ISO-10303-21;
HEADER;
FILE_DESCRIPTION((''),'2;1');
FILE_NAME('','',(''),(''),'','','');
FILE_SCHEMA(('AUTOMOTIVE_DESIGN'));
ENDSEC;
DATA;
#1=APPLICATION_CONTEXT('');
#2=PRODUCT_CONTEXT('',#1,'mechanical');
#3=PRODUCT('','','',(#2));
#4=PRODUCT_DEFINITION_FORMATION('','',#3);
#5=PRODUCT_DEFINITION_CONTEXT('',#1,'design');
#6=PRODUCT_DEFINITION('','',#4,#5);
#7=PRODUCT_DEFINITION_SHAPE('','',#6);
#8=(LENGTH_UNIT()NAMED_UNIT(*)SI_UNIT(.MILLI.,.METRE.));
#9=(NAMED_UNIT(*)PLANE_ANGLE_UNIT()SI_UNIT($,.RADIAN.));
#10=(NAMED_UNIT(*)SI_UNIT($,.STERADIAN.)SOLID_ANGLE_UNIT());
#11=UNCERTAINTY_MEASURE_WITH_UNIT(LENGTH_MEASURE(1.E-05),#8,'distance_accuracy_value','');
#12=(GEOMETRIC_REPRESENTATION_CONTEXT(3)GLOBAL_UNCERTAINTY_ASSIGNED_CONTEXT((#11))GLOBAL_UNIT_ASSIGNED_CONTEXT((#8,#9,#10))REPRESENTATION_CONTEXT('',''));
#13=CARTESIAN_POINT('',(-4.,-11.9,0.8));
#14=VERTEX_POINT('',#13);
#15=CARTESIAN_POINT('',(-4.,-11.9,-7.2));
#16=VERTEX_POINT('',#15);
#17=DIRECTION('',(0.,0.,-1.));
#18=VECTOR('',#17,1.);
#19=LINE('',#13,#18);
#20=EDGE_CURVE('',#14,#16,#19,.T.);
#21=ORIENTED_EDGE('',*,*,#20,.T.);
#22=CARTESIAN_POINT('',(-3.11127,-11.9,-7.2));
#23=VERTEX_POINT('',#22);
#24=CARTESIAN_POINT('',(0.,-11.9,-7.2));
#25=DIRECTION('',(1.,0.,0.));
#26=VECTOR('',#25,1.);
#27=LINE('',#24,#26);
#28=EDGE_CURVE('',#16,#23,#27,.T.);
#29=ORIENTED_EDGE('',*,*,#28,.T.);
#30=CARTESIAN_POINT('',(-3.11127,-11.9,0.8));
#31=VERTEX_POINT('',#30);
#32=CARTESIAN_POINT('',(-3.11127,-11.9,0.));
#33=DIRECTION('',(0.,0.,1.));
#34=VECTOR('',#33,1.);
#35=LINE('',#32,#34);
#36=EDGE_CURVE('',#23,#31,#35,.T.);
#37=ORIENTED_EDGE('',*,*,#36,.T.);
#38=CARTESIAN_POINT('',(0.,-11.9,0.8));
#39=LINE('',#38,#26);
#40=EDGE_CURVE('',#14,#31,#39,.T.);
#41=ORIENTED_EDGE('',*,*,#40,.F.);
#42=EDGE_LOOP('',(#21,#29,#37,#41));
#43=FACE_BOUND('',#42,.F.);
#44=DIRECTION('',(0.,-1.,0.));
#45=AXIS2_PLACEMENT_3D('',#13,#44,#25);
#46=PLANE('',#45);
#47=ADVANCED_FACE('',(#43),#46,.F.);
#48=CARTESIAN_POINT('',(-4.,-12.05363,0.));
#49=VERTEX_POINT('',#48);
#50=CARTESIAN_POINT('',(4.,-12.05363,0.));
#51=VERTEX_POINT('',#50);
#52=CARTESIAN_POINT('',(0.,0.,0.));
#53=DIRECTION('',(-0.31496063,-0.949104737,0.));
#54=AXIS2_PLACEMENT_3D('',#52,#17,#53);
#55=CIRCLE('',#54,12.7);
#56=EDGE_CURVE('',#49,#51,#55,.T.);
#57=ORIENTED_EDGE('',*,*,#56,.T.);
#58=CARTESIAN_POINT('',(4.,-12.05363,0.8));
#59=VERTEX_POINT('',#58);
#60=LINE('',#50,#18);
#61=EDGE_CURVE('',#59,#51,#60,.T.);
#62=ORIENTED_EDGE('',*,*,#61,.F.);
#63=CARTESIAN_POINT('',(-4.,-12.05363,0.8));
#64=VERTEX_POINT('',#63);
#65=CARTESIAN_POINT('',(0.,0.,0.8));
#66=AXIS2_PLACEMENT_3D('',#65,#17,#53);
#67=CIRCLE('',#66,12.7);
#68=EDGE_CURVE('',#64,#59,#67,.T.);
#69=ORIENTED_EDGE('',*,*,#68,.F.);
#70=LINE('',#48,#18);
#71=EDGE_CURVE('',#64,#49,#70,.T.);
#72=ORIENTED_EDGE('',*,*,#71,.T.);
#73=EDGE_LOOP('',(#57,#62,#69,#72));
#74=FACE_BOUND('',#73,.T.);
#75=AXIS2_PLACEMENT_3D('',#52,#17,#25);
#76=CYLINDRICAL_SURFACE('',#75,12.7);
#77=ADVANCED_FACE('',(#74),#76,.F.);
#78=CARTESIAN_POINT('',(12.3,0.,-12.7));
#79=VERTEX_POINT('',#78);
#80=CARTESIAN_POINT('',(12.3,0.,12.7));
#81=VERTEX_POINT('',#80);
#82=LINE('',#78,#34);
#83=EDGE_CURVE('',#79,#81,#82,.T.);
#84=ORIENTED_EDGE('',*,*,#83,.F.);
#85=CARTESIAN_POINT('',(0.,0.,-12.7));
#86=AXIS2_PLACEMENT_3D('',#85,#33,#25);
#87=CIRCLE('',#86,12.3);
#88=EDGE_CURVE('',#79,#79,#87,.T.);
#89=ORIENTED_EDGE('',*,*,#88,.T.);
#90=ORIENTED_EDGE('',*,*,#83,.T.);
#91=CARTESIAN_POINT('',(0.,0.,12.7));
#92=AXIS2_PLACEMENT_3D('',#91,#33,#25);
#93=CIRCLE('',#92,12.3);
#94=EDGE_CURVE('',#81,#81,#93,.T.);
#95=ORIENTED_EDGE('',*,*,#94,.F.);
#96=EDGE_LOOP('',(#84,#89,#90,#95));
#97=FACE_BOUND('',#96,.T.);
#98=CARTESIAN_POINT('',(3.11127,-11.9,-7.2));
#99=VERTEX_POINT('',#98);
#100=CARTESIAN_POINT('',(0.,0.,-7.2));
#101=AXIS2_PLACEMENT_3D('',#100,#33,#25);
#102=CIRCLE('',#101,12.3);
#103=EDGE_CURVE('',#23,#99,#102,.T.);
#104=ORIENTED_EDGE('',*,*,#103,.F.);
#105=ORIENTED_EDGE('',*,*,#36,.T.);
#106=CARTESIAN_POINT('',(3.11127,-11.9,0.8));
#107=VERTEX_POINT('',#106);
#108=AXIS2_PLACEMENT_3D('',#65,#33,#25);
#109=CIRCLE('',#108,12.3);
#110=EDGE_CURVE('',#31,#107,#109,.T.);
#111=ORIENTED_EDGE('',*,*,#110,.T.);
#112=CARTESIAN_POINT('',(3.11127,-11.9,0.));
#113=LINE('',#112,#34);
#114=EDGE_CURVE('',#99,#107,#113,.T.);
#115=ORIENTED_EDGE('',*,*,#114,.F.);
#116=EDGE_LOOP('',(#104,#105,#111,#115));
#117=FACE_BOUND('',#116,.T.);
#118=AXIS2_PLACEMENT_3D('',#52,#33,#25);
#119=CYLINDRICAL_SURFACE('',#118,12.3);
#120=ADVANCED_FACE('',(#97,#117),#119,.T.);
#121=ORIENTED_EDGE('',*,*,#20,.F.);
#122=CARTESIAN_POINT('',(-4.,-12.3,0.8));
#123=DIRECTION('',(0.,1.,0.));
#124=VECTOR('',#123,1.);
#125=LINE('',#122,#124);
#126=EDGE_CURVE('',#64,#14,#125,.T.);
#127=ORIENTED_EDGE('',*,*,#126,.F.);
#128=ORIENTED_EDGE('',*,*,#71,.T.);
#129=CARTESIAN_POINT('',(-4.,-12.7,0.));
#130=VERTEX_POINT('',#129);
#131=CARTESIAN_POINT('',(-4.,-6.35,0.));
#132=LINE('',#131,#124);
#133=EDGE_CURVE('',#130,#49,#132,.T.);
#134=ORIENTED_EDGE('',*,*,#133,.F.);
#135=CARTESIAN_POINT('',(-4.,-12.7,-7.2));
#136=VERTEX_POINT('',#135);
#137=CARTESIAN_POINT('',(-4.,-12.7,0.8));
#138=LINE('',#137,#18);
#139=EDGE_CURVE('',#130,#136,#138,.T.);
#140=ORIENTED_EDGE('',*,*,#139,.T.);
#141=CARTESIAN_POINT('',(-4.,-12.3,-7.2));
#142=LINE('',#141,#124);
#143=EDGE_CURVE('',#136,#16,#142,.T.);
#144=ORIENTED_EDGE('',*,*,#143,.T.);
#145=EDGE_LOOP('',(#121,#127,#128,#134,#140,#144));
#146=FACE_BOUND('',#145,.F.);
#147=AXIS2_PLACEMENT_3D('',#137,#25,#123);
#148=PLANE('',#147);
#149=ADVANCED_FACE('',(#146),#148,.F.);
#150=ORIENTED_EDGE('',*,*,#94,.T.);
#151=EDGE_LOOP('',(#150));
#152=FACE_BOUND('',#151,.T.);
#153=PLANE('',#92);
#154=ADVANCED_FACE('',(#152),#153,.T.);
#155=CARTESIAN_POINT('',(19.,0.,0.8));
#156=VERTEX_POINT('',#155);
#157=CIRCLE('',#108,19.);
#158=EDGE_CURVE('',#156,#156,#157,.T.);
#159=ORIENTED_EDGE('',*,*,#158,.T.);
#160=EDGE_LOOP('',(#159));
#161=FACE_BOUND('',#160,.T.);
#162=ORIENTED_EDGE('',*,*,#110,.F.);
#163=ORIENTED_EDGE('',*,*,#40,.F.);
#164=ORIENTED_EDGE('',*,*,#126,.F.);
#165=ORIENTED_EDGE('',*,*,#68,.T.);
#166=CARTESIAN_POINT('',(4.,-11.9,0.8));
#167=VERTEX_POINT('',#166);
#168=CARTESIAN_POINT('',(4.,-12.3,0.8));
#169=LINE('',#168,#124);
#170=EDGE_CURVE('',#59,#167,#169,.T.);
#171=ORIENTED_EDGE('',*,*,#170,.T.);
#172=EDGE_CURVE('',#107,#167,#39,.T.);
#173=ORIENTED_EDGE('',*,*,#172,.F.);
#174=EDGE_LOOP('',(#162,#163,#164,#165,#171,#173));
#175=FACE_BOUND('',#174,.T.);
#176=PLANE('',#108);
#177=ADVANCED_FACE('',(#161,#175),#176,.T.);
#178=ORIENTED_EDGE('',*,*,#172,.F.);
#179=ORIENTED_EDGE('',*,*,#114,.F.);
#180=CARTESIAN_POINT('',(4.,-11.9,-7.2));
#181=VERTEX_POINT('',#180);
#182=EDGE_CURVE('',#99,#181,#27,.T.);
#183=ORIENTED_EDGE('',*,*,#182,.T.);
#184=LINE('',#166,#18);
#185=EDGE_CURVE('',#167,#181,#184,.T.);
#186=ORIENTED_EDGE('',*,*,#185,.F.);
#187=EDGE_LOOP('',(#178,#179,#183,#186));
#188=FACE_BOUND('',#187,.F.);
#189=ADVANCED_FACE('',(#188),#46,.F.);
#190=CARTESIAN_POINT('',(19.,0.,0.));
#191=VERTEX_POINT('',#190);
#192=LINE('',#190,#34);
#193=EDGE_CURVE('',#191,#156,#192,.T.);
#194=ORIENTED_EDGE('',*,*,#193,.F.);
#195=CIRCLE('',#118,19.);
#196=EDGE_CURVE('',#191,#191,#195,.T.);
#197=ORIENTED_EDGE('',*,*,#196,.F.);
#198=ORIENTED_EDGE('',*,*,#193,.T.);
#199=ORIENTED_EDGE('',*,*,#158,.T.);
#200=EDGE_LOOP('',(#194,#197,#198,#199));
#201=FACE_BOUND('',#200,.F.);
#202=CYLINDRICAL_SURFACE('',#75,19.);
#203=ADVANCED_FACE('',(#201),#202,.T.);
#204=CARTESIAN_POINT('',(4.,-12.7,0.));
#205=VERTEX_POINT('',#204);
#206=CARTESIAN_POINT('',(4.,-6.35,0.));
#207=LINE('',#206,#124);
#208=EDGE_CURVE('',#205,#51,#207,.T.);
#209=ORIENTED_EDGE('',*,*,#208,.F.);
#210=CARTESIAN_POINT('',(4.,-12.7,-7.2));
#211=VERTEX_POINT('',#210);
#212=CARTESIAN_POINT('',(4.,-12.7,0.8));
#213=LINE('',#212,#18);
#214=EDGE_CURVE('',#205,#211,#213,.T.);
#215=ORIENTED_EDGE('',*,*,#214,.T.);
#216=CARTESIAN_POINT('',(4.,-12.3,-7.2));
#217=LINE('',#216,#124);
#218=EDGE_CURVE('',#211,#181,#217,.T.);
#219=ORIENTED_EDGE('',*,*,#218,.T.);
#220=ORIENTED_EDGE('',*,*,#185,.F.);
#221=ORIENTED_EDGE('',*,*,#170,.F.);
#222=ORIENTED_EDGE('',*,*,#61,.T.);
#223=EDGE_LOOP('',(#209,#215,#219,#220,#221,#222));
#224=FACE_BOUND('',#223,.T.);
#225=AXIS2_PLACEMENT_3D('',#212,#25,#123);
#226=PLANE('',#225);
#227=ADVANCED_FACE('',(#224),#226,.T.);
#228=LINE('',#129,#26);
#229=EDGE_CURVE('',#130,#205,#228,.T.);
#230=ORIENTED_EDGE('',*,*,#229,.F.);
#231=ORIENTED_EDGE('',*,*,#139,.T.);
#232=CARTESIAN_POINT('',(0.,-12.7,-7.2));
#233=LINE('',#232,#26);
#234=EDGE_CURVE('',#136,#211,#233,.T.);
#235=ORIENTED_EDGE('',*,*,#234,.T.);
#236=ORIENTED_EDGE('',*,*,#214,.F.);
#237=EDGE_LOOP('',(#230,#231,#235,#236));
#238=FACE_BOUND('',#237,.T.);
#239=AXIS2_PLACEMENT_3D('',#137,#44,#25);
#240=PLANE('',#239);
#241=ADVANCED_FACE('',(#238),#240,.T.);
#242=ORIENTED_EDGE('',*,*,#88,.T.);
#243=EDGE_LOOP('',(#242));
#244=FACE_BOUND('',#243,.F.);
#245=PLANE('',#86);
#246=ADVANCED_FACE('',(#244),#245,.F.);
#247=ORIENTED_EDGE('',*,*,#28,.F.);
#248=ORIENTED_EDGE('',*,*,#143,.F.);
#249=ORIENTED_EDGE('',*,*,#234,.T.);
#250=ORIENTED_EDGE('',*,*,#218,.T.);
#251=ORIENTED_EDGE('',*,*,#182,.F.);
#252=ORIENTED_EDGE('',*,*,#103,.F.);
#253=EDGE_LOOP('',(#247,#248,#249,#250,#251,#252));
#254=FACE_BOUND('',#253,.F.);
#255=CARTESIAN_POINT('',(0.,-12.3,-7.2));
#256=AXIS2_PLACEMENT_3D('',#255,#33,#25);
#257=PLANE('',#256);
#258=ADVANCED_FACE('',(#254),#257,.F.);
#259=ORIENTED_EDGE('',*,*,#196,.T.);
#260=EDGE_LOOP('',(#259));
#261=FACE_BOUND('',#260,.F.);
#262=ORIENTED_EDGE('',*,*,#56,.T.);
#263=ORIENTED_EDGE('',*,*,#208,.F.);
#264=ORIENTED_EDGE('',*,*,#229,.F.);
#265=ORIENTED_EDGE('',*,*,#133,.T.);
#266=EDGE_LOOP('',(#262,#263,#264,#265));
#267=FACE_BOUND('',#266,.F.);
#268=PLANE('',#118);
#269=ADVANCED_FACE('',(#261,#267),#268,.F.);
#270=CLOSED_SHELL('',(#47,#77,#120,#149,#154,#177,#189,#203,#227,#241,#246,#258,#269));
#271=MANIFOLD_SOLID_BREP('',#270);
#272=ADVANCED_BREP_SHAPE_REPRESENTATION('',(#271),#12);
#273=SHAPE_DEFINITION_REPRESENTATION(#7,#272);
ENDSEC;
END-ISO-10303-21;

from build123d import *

# Parameters (mm, degrees)
F0_R     = 19
F0_R_2   = 12.7
F1_DEPTH = 0.8
F2_W     = 8
F2_H     = 0.8
F3_DEPTH = 8
F4_R     = 12.3
F5_DEPTH = 12.7


with BuildPart() as f1:
    # F0 (on Top) → F1 (new body)
    with BuildSketch(Plane.XY):
        Circle(F0_R)
        Circle(F0_R_2, mode=Mode.SUBTRACT)
    extrude(amount=F1_DEPTH)

    # F2 (on face) → F3 (join)
    with BuildSketch(Plane.XY.offset(0.8)):
        with Locations((0, -12.3)):
            Rectangle(F2_W, F2_H)
    extrude(amount=-F3_DEPTH)

    # F4 (on Top) → F5 (join, symmetric)
    with BuildSketch(Plane.XY):
        Circle(F4_R)
    extrude(amount=F5_DEPTH, both=True)


solid = f1.part
